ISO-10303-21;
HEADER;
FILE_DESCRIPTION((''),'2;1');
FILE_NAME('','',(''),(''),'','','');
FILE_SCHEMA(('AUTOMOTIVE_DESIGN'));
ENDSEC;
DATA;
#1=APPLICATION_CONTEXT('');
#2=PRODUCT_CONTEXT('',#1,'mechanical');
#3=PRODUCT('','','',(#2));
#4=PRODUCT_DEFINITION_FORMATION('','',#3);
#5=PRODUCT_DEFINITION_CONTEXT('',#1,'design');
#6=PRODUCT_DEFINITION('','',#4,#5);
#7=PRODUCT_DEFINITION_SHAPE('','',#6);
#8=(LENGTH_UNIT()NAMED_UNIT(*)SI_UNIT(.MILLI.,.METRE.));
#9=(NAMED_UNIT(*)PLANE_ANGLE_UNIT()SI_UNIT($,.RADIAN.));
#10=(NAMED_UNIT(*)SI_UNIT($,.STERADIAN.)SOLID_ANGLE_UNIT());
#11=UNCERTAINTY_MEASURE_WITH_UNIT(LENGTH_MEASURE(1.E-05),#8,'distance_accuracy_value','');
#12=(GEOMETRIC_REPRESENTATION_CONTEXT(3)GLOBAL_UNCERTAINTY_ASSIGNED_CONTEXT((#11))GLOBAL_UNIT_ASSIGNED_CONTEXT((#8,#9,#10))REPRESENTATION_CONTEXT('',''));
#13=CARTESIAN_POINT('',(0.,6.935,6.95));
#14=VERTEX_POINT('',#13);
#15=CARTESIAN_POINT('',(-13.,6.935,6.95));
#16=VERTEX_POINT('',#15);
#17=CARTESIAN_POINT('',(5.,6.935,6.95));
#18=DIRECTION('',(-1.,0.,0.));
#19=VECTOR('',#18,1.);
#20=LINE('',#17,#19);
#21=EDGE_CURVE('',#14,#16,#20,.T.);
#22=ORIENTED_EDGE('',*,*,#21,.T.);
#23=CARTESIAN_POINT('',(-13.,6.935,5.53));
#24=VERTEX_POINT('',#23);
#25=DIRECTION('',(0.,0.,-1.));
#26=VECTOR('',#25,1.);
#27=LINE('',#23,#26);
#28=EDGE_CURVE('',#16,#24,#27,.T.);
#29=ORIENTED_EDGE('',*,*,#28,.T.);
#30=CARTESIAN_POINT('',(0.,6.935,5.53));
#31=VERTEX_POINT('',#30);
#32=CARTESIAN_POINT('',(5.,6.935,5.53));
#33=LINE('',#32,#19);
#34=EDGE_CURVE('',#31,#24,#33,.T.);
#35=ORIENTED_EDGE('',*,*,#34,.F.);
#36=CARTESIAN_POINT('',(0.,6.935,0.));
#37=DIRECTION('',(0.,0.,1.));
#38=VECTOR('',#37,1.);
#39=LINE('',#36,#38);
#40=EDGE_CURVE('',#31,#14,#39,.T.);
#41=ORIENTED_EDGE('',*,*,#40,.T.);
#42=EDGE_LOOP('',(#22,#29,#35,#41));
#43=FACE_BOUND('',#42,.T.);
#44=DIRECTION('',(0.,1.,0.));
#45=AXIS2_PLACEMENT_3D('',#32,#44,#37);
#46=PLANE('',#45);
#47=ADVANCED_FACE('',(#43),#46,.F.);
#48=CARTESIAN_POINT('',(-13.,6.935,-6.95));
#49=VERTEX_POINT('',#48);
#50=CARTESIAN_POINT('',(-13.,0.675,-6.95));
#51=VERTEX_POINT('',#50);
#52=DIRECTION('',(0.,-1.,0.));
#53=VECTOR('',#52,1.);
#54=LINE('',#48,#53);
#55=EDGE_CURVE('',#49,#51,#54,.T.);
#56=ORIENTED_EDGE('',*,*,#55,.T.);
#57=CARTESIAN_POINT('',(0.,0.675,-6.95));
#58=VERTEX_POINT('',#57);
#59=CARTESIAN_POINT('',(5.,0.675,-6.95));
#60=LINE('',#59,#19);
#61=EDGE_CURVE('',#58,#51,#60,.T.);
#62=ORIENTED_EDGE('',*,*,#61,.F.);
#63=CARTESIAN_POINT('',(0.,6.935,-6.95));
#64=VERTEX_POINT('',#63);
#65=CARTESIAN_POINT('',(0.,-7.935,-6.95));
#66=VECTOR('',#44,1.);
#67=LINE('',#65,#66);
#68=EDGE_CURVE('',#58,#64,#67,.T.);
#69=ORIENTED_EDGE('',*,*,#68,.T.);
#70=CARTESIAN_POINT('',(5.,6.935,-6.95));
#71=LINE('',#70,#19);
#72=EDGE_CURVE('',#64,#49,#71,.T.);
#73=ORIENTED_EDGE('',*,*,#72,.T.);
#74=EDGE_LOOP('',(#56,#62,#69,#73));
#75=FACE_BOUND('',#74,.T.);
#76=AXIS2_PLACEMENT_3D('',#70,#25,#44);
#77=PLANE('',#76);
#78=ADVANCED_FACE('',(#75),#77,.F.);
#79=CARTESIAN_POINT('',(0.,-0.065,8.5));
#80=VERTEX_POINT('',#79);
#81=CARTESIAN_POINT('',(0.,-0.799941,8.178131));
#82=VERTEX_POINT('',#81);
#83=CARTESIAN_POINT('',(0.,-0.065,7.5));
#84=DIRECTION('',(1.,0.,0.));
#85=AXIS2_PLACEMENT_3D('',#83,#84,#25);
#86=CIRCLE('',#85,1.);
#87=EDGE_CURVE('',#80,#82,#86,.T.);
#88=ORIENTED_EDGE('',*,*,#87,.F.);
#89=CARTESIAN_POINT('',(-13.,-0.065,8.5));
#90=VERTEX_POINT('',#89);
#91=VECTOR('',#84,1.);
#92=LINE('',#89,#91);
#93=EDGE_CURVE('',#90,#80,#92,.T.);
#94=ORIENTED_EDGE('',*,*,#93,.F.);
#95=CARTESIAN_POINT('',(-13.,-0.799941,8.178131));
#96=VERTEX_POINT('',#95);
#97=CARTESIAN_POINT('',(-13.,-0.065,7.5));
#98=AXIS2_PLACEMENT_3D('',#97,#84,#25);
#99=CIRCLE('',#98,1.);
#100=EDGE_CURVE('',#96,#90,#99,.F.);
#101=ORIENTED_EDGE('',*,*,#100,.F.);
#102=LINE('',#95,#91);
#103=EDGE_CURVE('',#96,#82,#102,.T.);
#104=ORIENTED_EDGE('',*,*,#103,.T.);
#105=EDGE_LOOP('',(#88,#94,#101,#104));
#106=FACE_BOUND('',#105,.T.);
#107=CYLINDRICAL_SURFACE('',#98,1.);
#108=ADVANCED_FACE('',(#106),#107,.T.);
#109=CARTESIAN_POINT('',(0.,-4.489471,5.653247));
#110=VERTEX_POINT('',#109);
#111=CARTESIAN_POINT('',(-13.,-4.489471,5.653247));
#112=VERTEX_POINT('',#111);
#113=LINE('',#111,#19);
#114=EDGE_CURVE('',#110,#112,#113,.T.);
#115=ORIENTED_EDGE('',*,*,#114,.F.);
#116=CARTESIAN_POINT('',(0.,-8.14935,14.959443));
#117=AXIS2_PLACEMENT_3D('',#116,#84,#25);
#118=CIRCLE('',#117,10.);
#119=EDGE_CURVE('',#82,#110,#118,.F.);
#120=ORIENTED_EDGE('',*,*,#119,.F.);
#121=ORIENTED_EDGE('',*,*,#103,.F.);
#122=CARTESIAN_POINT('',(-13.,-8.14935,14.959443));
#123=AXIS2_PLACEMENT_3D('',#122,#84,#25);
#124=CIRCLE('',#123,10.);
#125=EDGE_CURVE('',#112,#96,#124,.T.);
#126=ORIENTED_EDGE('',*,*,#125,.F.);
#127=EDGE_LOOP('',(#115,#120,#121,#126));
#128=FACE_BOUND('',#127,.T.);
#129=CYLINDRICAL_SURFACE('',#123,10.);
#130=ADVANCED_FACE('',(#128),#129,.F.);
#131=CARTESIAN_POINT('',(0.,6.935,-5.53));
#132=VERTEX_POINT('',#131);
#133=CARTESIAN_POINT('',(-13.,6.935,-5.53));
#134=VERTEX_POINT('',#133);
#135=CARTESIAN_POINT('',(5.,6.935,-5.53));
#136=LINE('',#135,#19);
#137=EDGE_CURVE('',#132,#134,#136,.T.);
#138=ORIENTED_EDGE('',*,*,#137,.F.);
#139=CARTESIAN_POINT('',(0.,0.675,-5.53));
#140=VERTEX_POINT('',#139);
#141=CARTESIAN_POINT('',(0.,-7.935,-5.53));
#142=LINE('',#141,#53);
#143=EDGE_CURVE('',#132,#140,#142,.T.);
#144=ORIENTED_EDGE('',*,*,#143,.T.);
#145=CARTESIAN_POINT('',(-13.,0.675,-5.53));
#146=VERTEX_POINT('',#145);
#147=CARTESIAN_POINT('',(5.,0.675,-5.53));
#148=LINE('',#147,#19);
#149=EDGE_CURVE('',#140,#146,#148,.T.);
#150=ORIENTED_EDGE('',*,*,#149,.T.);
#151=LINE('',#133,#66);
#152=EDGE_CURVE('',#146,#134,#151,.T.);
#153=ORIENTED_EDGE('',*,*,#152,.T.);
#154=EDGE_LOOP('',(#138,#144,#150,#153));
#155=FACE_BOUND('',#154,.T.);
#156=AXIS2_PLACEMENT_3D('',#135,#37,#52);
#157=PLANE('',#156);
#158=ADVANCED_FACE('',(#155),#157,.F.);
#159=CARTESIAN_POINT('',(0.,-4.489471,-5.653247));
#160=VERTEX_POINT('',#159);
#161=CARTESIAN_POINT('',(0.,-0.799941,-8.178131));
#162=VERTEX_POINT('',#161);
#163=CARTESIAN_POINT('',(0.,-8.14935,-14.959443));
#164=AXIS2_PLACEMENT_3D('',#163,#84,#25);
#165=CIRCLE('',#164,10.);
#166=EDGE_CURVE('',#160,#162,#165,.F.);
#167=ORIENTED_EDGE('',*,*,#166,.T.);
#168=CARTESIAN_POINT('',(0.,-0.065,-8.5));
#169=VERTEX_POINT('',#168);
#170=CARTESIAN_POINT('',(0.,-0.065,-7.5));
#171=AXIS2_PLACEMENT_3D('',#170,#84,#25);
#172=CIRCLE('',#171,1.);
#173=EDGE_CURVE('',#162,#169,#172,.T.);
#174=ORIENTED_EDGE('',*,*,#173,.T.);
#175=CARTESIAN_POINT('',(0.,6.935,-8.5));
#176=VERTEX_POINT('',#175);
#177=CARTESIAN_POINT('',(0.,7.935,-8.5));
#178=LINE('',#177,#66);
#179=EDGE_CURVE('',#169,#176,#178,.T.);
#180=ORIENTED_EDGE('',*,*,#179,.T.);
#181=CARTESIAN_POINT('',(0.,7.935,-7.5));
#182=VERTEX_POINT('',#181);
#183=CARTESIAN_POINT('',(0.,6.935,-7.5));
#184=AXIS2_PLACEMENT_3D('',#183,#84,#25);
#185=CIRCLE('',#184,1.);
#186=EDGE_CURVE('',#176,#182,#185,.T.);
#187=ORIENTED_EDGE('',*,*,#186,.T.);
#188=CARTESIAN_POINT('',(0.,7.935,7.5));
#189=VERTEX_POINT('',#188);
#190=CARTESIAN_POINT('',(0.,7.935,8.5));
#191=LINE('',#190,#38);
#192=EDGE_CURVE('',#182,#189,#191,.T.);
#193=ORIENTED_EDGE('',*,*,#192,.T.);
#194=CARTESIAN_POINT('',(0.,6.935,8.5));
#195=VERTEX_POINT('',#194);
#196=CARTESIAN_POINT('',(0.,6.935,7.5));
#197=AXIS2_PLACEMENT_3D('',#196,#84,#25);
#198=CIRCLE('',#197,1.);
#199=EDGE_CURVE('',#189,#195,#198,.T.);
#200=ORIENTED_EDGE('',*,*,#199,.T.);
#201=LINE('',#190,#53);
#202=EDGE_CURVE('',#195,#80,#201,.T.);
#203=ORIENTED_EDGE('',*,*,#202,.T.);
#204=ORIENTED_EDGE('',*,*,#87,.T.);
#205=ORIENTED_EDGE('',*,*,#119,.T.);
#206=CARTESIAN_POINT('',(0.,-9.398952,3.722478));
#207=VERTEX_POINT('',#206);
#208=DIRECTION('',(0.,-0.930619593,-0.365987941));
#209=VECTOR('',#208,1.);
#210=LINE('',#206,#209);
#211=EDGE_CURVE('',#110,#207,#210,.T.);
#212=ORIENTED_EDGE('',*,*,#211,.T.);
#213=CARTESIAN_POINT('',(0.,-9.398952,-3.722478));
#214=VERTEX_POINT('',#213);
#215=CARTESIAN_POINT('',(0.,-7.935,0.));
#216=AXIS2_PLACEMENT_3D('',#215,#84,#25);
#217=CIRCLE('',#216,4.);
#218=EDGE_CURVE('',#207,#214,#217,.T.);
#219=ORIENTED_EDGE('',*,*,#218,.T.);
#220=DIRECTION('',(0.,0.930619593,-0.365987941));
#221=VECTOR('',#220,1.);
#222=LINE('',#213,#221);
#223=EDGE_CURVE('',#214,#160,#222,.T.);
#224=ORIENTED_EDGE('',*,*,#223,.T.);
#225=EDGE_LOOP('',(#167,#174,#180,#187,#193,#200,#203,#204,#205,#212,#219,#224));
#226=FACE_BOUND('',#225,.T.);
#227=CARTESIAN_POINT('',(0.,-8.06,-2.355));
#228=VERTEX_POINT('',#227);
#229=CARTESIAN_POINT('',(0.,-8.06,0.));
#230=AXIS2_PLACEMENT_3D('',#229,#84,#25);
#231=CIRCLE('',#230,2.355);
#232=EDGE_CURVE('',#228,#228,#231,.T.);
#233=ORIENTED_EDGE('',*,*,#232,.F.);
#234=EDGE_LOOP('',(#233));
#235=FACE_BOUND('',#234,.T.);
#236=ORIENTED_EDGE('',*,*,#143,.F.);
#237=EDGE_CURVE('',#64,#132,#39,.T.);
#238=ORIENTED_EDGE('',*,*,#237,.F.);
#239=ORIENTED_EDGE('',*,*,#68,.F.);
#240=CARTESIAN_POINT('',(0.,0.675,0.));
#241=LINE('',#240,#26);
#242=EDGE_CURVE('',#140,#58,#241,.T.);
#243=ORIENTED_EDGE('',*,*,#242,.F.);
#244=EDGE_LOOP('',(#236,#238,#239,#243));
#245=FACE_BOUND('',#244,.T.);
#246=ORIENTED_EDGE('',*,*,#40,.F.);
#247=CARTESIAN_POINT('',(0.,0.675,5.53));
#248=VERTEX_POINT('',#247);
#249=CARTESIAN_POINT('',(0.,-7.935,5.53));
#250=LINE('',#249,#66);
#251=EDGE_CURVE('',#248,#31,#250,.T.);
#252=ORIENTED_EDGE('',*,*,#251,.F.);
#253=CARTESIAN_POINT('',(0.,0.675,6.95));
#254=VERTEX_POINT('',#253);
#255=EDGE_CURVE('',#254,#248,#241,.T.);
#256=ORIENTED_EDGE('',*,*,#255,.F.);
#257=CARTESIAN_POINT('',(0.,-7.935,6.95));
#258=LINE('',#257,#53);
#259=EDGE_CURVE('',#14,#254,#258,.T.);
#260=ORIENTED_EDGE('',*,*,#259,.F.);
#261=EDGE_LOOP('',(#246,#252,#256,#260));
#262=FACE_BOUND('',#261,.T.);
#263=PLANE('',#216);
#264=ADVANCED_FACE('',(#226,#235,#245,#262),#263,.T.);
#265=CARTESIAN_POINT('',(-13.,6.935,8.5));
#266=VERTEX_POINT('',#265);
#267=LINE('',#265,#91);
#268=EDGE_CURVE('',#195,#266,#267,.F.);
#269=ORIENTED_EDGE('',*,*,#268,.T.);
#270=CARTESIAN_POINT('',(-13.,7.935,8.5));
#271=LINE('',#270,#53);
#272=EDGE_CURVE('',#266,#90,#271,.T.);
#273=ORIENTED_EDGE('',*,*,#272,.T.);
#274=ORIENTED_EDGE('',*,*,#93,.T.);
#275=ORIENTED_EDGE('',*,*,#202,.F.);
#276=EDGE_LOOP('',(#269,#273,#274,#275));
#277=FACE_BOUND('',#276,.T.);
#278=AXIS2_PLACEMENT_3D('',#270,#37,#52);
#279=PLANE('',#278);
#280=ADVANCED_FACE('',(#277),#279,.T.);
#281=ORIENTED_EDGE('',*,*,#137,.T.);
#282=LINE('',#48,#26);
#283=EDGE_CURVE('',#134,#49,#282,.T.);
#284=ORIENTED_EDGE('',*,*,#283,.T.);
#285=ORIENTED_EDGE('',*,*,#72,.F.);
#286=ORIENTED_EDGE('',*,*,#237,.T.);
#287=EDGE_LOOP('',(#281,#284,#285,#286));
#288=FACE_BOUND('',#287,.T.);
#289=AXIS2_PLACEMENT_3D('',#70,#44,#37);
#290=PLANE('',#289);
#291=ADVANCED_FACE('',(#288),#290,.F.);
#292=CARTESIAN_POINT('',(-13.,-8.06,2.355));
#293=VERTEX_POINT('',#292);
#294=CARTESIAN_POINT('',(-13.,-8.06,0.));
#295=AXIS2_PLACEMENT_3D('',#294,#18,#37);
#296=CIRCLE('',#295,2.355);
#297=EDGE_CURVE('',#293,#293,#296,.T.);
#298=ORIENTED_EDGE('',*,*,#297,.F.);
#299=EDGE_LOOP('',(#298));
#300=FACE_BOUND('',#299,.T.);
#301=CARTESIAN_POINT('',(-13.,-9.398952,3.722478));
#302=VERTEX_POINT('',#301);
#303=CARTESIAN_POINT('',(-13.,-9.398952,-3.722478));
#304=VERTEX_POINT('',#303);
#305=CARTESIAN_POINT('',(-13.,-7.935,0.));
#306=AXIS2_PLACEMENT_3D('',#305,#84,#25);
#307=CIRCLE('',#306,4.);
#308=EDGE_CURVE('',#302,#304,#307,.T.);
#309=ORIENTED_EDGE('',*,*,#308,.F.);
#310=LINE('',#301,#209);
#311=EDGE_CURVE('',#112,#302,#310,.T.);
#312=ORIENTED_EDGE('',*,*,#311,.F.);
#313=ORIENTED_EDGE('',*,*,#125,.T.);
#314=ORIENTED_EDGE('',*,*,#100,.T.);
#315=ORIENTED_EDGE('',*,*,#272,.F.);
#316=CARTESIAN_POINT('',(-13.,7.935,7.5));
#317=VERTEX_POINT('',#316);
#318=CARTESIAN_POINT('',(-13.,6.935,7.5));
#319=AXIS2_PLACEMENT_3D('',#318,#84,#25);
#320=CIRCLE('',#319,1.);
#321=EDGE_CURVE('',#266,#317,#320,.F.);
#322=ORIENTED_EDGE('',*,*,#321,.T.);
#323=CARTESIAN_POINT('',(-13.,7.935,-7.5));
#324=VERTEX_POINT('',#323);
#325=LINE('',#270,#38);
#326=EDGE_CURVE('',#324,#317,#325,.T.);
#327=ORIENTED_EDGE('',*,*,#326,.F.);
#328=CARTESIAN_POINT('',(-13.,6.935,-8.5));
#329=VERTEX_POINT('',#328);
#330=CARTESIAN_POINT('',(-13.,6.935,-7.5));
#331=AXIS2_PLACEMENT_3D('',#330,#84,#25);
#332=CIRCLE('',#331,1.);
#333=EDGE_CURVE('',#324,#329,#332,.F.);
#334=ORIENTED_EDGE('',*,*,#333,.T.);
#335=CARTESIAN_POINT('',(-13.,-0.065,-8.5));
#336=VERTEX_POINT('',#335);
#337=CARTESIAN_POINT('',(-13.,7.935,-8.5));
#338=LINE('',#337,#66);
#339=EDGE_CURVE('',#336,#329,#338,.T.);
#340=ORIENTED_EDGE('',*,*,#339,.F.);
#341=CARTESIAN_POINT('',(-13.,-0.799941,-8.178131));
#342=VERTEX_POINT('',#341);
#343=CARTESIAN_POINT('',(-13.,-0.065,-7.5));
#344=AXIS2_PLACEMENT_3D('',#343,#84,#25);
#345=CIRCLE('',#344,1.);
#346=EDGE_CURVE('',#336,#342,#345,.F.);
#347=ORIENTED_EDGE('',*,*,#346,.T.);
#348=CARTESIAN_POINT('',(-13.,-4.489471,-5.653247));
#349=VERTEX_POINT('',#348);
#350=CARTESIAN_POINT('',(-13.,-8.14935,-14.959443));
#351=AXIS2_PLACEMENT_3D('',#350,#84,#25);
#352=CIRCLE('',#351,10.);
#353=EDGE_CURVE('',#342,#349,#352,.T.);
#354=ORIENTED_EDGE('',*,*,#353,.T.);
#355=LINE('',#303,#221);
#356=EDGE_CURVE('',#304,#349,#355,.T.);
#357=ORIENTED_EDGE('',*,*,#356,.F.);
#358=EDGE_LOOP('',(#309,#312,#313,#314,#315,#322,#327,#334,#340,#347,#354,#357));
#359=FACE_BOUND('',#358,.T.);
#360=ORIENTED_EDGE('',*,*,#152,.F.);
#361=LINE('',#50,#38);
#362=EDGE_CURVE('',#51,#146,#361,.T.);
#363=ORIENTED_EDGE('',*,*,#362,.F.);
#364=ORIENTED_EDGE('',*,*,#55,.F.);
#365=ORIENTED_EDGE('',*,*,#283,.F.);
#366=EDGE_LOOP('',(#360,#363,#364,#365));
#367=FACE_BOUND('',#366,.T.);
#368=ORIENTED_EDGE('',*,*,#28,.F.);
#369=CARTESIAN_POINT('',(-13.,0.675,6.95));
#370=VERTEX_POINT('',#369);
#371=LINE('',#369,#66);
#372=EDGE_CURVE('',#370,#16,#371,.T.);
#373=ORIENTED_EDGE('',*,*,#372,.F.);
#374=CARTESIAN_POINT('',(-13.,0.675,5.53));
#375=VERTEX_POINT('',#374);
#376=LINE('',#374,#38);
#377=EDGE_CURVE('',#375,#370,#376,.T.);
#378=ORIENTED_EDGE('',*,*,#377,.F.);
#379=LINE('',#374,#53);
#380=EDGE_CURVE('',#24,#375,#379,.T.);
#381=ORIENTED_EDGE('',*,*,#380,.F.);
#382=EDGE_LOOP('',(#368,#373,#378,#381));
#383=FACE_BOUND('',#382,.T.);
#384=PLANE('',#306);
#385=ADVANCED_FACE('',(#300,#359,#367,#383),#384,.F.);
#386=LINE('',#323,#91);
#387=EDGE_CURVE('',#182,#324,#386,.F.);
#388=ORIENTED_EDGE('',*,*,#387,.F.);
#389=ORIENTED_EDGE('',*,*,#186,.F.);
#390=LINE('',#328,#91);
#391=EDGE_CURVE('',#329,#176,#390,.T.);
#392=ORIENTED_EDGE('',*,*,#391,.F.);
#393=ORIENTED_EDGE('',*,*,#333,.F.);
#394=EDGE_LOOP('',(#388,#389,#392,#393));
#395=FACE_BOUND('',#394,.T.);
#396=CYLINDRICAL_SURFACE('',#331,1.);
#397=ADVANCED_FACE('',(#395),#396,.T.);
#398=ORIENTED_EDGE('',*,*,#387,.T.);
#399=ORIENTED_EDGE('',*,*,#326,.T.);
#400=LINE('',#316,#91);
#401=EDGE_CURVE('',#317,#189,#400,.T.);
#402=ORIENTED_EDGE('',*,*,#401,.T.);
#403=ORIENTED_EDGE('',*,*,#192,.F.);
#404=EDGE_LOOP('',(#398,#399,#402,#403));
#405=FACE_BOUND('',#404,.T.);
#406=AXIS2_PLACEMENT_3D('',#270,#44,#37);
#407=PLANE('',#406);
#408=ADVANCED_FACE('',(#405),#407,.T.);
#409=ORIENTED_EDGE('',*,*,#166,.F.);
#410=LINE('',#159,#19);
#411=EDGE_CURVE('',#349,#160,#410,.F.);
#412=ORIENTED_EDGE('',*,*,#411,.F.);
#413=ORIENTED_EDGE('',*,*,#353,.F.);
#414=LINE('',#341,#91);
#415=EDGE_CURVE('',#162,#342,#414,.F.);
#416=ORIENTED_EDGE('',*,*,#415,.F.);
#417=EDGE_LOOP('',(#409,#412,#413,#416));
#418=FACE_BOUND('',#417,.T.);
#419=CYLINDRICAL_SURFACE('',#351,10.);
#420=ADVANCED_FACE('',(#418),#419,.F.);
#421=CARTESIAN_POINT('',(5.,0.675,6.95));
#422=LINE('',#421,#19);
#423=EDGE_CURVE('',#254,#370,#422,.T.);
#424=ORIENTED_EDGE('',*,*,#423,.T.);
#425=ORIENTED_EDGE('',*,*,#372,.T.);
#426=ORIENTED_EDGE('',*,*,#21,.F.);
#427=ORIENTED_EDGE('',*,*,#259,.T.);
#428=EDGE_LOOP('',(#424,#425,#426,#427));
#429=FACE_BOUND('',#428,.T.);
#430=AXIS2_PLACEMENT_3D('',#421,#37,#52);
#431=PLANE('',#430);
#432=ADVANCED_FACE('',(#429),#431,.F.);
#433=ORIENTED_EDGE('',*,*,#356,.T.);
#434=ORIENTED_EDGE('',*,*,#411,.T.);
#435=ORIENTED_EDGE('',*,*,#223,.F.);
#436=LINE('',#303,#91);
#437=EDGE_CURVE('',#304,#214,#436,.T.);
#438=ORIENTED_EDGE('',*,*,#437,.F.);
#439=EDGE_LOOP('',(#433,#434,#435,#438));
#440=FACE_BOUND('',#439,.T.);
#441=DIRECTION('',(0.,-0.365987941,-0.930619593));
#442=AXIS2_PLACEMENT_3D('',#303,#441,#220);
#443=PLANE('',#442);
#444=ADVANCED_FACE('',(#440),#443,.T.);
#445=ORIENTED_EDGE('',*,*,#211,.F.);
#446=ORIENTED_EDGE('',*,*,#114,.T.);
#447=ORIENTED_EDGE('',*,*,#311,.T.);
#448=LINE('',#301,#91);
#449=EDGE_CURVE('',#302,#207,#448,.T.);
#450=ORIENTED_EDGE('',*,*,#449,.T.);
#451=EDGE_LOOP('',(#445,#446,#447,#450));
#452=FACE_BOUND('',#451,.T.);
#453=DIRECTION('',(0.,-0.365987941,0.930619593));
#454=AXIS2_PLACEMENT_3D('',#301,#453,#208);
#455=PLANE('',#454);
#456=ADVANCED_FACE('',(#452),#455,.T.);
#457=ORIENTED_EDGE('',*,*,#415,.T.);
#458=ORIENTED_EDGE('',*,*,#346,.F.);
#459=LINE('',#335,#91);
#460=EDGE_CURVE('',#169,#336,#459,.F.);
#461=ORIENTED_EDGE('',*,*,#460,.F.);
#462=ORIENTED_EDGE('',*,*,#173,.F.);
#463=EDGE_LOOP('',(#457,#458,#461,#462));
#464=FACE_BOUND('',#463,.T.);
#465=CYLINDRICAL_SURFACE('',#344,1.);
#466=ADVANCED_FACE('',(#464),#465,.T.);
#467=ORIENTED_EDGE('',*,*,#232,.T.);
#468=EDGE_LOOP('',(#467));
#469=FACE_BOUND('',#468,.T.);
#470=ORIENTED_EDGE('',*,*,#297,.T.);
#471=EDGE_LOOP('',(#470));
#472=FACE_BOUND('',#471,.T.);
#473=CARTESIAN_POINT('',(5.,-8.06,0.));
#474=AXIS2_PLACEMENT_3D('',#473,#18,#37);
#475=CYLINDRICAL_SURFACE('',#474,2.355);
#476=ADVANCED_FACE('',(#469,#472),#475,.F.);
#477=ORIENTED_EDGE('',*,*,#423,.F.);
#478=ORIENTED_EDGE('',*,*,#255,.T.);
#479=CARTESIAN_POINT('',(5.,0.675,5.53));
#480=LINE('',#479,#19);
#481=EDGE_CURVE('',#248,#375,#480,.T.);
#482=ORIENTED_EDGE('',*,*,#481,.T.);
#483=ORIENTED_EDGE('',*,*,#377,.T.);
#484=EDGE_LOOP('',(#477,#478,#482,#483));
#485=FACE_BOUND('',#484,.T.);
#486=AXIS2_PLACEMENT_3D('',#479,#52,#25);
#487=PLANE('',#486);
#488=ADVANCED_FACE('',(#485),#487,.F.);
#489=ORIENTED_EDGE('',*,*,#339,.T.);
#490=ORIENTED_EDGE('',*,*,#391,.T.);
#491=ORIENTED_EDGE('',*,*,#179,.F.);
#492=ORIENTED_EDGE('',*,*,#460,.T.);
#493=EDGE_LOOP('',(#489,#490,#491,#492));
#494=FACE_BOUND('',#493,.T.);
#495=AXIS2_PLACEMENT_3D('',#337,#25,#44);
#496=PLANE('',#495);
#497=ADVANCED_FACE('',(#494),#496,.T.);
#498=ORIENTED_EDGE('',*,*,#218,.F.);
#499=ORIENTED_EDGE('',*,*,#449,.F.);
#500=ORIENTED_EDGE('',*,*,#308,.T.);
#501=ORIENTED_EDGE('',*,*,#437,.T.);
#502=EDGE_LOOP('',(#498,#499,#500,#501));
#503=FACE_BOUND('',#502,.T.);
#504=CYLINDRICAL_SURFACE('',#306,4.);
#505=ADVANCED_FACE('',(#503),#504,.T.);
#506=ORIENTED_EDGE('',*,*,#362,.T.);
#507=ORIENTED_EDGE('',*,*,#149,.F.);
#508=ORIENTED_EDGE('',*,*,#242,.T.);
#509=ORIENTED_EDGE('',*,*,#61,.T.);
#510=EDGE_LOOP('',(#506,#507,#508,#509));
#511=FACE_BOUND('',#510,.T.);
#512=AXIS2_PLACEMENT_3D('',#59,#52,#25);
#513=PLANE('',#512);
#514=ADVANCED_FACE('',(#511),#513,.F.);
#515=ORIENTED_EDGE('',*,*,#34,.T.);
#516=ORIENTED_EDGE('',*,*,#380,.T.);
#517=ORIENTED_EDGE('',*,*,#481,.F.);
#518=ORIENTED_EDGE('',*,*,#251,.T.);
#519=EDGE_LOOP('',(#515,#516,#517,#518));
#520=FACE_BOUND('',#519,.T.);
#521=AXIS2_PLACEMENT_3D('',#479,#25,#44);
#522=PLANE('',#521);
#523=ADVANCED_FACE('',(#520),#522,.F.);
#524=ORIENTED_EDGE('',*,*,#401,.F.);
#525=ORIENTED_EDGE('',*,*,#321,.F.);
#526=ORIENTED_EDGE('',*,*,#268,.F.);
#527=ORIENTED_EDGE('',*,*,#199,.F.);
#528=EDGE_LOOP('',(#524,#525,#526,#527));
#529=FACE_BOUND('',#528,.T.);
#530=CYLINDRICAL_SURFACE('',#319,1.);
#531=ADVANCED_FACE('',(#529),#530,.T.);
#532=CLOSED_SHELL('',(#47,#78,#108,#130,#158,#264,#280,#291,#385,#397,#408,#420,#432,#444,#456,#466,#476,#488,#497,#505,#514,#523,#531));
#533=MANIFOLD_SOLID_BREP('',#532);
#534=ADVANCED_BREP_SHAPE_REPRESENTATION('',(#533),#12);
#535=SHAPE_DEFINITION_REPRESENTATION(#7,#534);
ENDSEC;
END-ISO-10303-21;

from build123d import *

# Parameters (mm, degrees)
BOSS_EXTRUDE1_DEPTH = 13
FILLET1_R           = 1
FILLET2_R           = 10
SKETCH4_R           = 2.355
SKETCH4_W           = 1.42
SKETCH4_H           = 6.26
CUT_EXTRUDE1_DEPTH  = 18


with BuildPart() as part:
    # Sketch1 → Boss-Extrude1 (new body)
    with BuildSketch(Plane(origin=(0, 0, 0), x_dir=(0, 0, -1), z_dir=(1, 0, 0))):
        with BuildLine():
            Line((-8.5, 7.935), (8.5, 7.935))
            Line((8.5, 7.935), (8.5, -1.065))
            Line((8.5, -1.065), (7, -1.065))
            Line((7, -1.065), (3.722478373, -9.398951763))
            ThreePointArc((3.722478373, -9.398951763), (0, -11.935), (-3.722478373, -9.398951763))
            Line((-3.722478373, -9.398951763), (-7, -1.065))
            Line((-7, -1.065), (-8.5, -1.065))
            Line((-8.5, -1.065), (-8.5, 7.935))
        make_face()
    extrude(amount=-BOSS_EXTRUDE1_DEPTH)

    # Fillet1
    fillet1_edges = [part.edges().sort_by_distance(p)[0] for p in [
        (-6.5, 7.935, 8.5),
        (-6.5, 7.935, -8.5),
        (-6.5, -1.065, -8.5),
        (-6.5, -1.065, 8.5),
    ]]
    fillet(fillet1_edges, radius=FILLET1_R)

    # Fillet2
    fillet2_edges = [part.edges().sort_by_distance(p)[0] for p in [
        (-6.5, -1.065, -7),
        (-6.5, -1.065, 7),
    ]]
    fillet(fillet2_edges, radius=FILLET2_R)

    # Sketch4 → Cut-Extrude1 (cut)
    with BuildSketch(Plane.ZY.offset(13)):
        with Locations((0, -8.06)):
            Circle(SKETCH4_R)
        with Locations((6.24, 3.805)):
            Rectangle(SKETCH4_W, SKETCH4_H)
        with Locations((-6.24, 3.805)):
            Rectangle(SKETCH4_W, SKETCH4_H)
    extrude(amount=-CUT_EXTRUDE1_DEPTH, mode=Mode.SUBTRACT)


solid = part.part
